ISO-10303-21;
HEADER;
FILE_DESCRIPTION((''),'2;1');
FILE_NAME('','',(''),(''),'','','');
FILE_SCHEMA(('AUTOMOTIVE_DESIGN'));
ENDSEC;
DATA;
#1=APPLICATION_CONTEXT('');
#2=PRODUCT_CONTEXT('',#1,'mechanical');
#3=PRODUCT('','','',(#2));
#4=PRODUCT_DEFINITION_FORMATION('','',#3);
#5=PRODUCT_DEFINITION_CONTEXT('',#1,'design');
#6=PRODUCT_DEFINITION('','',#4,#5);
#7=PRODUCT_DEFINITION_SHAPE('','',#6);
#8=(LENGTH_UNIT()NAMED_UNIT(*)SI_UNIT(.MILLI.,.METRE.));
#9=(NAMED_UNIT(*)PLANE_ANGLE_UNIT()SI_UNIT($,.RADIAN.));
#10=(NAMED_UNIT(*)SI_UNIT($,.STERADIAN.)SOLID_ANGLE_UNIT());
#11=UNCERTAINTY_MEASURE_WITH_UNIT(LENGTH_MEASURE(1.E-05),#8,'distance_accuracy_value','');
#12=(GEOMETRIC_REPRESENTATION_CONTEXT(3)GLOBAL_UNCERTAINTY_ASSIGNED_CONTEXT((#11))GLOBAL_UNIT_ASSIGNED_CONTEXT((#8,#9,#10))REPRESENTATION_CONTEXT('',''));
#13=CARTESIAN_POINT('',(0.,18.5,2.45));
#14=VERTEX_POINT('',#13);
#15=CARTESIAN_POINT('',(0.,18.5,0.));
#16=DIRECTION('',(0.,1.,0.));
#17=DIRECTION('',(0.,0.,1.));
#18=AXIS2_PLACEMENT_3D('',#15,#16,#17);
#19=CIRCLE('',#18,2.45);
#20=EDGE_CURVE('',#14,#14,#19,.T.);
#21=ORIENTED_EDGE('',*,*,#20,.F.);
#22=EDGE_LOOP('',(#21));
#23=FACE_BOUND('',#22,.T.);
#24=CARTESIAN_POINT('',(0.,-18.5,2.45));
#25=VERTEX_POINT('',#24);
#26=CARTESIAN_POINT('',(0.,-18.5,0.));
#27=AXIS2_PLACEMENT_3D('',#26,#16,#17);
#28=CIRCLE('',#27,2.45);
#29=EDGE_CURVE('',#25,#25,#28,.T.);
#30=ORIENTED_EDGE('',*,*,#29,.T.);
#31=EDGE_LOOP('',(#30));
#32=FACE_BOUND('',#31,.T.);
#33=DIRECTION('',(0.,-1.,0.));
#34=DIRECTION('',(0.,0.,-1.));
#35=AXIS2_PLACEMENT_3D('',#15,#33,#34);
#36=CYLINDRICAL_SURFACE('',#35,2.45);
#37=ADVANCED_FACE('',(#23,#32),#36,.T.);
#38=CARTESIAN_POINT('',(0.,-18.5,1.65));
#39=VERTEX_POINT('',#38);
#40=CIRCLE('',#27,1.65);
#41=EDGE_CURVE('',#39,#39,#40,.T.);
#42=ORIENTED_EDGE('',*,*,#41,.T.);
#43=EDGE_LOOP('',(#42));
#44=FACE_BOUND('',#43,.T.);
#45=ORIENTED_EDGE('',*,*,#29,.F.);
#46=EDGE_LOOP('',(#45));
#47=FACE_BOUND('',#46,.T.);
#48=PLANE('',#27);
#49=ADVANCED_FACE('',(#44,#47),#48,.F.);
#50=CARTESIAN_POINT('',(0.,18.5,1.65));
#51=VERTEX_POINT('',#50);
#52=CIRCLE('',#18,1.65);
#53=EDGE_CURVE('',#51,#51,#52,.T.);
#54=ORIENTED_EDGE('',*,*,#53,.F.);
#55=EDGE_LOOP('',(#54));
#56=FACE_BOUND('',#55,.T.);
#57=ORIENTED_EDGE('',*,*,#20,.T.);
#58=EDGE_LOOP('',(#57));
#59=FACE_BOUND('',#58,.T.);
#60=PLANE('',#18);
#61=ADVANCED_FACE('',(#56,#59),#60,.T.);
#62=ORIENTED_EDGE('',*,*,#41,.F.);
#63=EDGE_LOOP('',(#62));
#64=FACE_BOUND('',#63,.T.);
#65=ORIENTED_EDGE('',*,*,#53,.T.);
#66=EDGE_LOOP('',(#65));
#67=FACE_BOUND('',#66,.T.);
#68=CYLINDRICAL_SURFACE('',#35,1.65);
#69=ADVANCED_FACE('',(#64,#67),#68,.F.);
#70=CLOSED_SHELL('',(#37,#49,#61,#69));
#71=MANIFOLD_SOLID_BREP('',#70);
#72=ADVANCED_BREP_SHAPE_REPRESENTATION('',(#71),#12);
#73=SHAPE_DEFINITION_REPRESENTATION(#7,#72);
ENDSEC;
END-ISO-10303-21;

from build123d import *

# Parameters (mm, degrees)
SKETCH_1_R      = 2.45
SKETCH_1_R_2    = 1.65
EXTRUDE_1_DEPTH = 18.5


with BuildPart() as part:
    # Эскиз1 → Бобышка-Вытянуть1 (new, symmetric)
    with BuildSketch(Plane(origin=(0, 0, 0), x_dir=(1, 0, 0), z_dir=(0, 1, 0))):
        with Locations(Location((0, 0, 0), (0, 0, 270))):
            Circle(SKETCH_1_R)
        with Locations(Location((0, 0, 0), (0, 0, 270))):
            Circle(SKETCH_1_R_2, mode=Mode.SUBTRACT)
    extrude(amount=EXTRUDE_1_DEPTH, both=True)


solid = part.part
